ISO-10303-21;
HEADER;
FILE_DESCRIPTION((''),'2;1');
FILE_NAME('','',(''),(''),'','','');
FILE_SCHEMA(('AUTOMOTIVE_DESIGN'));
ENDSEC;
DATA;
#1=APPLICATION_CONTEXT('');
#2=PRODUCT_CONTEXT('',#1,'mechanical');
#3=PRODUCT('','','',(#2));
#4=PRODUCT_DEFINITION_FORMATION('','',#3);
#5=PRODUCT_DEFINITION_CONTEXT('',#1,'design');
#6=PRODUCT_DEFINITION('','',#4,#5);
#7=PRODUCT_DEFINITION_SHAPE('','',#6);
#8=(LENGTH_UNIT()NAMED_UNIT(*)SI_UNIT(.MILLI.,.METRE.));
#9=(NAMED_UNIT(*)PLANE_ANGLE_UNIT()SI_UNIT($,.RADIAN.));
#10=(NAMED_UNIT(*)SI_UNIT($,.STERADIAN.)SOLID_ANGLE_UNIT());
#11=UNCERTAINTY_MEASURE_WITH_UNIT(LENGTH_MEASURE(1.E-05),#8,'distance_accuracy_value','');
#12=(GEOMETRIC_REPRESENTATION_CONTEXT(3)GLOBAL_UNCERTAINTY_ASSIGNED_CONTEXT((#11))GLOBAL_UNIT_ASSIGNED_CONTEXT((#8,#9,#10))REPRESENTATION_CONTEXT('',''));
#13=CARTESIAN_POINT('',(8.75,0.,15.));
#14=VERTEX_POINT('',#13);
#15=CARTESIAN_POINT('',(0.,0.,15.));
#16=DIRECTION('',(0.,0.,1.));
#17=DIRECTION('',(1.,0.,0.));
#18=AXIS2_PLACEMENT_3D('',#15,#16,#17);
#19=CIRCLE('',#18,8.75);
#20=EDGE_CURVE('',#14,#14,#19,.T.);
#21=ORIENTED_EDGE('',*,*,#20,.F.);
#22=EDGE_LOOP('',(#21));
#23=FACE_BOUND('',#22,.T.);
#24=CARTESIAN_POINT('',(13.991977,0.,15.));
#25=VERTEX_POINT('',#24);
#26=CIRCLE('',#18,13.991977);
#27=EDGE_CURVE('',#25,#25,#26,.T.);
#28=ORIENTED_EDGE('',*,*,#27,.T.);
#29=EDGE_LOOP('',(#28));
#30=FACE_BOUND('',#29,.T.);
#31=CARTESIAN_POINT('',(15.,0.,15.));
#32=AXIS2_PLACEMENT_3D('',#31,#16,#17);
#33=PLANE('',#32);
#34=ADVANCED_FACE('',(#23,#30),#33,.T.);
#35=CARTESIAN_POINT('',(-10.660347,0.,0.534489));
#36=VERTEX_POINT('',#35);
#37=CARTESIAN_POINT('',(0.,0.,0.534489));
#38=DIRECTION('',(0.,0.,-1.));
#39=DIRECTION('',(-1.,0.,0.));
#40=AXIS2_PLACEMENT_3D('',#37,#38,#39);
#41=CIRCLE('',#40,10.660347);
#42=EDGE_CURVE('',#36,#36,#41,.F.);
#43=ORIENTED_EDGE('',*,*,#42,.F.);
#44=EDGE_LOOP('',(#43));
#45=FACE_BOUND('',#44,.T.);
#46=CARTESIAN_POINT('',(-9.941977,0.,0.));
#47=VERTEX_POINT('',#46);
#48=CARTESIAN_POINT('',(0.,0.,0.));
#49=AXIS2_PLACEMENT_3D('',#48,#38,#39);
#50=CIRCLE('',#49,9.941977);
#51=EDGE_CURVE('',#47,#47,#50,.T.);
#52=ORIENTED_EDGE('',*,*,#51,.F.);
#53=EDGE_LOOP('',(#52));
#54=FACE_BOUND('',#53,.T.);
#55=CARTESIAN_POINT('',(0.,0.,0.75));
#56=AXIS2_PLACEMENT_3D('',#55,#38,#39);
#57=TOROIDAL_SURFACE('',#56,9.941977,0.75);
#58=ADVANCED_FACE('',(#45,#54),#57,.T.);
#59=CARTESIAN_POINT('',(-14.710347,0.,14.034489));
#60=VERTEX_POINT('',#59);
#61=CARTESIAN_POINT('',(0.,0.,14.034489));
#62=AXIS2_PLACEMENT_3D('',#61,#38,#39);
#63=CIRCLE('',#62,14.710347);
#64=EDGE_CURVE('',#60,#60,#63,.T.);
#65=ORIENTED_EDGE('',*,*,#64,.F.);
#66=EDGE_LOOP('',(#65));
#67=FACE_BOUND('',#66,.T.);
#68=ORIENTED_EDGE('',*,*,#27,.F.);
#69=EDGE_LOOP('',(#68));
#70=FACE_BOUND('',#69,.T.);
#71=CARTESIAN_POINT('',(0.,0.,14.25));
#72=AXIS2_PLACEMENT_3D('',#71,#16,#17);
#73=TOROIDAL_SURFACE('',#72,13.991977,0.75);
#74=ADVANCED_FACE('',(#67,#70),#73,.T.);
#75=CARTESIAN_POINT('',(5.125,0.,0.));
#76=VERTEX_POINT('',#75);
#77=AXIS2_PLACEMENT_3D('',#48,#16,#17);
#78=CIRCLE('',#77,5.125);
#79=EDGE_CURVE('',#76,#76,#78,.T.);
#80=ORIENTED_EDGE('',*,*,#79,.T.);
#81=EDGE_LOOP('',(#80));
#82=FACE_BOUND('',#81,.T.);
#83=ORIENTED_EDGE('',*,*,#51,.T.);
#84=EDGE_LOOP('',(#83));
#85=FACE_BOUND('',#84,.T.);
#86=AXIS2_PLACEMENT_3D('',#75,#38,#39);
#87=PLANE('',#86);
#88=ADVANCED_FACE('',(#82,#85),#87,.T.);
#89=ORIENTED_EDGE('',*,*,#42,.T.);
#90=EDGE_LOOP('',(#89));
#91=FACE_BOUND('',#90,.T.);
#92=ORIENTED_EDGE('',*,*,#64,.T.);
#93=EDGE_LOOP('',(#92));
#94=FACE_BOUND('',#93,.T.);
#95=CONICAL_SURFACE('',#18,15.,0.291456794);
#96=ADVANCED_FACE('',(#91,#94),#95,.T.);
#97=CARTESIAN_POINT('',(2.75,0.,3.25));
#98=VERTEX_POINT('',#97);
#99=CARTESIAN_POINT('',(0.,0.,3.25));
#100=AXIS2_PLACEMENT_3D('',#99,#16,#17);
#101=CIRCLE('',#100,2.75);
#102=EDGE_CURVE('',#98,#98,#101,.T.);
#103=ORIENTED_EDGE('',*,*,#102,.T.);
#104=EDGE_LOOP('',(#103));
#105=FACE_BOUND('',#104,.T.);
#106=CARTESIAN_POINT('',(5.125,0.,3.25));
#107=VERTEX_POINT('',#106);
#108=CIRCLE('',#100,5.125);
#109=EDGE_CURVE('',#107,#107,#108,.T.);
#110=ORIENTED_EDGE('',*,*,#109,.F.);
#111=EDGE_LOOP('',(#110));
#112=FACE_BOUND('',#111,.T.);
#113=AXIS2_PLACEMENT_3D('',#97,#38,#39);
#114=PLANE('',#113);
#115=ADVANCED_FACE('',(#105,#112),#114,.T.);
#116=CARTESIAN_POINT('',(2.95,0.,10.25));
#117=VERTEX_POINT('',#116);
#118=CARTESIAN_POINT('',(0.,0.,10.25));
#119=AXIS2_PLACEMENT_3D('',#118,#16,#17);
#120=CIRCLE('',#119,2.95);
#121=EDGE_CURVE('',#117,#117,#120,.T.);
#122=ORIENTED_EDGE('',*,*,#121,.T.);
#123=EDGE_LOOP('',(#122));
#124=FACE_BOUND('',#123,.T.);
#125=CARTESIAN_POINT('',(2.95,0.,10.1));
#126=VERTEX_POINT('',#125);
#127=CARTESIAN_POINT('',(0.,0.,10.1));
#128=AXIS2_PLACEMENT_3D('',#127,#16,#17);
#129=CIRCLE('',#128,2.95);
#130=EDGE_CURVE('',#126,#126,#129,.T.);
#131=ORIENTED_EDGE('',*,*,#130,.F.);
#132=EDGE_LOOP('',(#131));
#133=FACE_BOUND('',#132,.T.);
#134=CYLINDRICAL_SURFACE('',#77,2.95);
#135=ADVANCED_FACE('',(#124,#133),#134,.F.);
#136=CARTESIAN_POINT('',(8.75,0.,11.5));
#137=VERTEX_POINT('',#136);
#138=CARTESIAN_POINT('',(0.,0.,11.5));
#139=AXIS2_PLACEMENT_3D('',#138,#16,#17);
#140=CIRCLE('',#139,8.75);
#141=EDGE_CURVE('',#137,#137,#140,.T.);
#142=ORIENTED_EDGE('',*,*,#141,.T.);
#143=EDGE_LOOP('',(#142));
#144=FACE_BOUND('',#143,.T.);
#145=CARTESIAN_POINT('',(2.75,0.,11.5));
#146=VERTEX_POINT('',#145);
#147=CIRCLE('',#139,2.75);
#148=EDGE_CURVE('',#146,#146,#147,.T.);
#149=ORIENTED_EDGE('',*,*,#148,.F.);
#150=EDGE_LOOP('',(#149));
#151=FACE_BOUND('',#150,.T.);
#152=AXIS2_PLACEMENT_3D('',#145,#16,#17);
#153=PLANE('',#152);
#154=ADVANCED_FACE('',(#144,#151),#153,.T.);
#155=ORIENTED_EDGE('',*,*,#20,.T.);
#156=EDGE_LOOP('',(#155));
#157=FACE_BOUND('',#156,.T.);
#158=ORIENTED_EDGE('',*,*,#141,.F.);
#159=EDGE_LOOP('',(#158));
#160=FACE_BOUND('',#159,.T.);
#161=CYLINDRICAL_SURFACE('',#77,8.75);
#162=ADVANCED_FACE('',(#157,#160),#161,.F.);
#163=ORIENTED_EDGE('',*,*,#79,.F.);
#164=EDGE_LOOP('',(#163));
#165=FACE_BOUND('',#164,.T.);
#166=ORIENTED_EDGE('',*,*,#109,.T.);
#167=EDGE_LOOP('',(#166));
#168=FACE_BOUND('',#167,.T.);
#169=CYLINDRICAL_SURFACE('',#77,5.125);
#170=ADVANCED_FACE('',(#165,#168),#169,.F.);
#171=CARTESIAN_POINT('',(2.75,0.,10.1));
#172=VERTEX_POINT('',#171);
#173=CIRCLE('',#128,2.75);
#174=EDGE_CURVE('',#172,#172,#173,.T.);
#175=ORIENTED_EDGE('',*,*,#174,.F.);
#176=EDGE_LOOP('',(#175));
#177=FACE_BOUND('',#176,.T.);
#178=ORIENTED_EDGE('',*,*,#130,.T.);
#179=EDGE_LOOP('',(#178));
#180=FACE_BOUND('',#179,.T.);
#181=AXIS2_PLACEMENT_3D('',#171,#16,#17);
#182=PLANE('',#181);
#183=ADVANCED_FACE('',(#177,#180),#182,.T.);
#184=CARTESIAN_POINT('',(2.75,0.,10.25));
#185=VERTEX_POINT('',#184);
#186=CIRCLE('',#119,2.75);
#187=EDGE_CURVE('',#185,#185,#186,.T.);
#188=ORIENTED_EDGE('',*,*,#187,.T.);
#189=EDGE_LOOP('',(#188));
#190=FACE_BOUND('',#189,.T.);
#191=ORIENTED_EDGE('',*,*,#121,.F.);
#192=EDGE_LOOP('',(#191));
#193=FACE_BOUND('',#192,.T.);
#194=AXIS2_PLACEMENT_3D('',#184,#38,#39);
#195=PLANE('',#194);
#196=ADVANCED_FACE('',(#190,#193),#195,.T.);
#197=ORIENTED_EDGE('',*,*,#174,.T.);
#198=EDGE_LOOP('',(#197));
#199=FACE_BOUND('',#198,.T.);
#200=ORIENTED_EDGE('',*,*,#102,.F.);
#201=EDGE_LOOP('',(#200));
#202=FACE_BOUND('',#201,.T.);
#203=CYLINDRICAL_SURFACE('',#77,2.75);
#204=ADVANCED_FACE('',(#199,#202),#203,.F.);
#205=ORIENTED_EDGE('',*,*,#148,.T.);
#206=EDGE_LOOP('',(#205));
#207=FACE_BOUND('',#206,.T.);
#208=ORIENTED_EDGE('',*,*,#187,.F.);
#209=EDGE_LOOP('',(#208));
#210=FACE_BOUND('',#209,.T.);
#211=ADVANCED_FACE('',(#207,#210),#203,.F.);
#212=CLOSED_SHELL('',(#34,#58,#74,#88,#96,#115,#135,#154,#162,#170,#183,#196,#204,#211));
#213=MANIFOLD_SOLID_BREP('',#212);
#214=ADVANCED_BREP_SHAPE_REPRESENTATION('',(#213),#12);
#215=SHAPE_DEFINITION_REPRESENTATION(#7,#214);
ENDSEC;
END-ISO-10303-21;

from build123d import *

# Parameters (mm, degrees)
FILLET1_R = 0.75


with BuildPart() as part:
    # Sketch2 → Revolve1 (revolve)
    with BuildSketch(Plane(origin=(0, 0, 0), x_dir=(1, 0, 0), z_dir=(0, 1, 0))):
        Polygon((5.125, 0), (10.5, 0), (15, -15), (8.75, -15), (8.75, -11.5), (2.75, -11.5), (2.75, -10.25), (2.95, -10.25), (2.95, -10.1), (2.75, -10.1), (2.75, -3.25), (5.125, -3.25), align=None)
    revolve(axis=Axis((0, 0, 0), (0, 0, -1)))

    # Fillet1
    fillet1_edges = [part.edges().sort_by_distance(p)[0] for p in [
        (-10.5, 0, 0),
        (-15, 0, 15),
    ]]
    fillet(fillet1_edges, radius=FILLET1_R)


solid = part.part
